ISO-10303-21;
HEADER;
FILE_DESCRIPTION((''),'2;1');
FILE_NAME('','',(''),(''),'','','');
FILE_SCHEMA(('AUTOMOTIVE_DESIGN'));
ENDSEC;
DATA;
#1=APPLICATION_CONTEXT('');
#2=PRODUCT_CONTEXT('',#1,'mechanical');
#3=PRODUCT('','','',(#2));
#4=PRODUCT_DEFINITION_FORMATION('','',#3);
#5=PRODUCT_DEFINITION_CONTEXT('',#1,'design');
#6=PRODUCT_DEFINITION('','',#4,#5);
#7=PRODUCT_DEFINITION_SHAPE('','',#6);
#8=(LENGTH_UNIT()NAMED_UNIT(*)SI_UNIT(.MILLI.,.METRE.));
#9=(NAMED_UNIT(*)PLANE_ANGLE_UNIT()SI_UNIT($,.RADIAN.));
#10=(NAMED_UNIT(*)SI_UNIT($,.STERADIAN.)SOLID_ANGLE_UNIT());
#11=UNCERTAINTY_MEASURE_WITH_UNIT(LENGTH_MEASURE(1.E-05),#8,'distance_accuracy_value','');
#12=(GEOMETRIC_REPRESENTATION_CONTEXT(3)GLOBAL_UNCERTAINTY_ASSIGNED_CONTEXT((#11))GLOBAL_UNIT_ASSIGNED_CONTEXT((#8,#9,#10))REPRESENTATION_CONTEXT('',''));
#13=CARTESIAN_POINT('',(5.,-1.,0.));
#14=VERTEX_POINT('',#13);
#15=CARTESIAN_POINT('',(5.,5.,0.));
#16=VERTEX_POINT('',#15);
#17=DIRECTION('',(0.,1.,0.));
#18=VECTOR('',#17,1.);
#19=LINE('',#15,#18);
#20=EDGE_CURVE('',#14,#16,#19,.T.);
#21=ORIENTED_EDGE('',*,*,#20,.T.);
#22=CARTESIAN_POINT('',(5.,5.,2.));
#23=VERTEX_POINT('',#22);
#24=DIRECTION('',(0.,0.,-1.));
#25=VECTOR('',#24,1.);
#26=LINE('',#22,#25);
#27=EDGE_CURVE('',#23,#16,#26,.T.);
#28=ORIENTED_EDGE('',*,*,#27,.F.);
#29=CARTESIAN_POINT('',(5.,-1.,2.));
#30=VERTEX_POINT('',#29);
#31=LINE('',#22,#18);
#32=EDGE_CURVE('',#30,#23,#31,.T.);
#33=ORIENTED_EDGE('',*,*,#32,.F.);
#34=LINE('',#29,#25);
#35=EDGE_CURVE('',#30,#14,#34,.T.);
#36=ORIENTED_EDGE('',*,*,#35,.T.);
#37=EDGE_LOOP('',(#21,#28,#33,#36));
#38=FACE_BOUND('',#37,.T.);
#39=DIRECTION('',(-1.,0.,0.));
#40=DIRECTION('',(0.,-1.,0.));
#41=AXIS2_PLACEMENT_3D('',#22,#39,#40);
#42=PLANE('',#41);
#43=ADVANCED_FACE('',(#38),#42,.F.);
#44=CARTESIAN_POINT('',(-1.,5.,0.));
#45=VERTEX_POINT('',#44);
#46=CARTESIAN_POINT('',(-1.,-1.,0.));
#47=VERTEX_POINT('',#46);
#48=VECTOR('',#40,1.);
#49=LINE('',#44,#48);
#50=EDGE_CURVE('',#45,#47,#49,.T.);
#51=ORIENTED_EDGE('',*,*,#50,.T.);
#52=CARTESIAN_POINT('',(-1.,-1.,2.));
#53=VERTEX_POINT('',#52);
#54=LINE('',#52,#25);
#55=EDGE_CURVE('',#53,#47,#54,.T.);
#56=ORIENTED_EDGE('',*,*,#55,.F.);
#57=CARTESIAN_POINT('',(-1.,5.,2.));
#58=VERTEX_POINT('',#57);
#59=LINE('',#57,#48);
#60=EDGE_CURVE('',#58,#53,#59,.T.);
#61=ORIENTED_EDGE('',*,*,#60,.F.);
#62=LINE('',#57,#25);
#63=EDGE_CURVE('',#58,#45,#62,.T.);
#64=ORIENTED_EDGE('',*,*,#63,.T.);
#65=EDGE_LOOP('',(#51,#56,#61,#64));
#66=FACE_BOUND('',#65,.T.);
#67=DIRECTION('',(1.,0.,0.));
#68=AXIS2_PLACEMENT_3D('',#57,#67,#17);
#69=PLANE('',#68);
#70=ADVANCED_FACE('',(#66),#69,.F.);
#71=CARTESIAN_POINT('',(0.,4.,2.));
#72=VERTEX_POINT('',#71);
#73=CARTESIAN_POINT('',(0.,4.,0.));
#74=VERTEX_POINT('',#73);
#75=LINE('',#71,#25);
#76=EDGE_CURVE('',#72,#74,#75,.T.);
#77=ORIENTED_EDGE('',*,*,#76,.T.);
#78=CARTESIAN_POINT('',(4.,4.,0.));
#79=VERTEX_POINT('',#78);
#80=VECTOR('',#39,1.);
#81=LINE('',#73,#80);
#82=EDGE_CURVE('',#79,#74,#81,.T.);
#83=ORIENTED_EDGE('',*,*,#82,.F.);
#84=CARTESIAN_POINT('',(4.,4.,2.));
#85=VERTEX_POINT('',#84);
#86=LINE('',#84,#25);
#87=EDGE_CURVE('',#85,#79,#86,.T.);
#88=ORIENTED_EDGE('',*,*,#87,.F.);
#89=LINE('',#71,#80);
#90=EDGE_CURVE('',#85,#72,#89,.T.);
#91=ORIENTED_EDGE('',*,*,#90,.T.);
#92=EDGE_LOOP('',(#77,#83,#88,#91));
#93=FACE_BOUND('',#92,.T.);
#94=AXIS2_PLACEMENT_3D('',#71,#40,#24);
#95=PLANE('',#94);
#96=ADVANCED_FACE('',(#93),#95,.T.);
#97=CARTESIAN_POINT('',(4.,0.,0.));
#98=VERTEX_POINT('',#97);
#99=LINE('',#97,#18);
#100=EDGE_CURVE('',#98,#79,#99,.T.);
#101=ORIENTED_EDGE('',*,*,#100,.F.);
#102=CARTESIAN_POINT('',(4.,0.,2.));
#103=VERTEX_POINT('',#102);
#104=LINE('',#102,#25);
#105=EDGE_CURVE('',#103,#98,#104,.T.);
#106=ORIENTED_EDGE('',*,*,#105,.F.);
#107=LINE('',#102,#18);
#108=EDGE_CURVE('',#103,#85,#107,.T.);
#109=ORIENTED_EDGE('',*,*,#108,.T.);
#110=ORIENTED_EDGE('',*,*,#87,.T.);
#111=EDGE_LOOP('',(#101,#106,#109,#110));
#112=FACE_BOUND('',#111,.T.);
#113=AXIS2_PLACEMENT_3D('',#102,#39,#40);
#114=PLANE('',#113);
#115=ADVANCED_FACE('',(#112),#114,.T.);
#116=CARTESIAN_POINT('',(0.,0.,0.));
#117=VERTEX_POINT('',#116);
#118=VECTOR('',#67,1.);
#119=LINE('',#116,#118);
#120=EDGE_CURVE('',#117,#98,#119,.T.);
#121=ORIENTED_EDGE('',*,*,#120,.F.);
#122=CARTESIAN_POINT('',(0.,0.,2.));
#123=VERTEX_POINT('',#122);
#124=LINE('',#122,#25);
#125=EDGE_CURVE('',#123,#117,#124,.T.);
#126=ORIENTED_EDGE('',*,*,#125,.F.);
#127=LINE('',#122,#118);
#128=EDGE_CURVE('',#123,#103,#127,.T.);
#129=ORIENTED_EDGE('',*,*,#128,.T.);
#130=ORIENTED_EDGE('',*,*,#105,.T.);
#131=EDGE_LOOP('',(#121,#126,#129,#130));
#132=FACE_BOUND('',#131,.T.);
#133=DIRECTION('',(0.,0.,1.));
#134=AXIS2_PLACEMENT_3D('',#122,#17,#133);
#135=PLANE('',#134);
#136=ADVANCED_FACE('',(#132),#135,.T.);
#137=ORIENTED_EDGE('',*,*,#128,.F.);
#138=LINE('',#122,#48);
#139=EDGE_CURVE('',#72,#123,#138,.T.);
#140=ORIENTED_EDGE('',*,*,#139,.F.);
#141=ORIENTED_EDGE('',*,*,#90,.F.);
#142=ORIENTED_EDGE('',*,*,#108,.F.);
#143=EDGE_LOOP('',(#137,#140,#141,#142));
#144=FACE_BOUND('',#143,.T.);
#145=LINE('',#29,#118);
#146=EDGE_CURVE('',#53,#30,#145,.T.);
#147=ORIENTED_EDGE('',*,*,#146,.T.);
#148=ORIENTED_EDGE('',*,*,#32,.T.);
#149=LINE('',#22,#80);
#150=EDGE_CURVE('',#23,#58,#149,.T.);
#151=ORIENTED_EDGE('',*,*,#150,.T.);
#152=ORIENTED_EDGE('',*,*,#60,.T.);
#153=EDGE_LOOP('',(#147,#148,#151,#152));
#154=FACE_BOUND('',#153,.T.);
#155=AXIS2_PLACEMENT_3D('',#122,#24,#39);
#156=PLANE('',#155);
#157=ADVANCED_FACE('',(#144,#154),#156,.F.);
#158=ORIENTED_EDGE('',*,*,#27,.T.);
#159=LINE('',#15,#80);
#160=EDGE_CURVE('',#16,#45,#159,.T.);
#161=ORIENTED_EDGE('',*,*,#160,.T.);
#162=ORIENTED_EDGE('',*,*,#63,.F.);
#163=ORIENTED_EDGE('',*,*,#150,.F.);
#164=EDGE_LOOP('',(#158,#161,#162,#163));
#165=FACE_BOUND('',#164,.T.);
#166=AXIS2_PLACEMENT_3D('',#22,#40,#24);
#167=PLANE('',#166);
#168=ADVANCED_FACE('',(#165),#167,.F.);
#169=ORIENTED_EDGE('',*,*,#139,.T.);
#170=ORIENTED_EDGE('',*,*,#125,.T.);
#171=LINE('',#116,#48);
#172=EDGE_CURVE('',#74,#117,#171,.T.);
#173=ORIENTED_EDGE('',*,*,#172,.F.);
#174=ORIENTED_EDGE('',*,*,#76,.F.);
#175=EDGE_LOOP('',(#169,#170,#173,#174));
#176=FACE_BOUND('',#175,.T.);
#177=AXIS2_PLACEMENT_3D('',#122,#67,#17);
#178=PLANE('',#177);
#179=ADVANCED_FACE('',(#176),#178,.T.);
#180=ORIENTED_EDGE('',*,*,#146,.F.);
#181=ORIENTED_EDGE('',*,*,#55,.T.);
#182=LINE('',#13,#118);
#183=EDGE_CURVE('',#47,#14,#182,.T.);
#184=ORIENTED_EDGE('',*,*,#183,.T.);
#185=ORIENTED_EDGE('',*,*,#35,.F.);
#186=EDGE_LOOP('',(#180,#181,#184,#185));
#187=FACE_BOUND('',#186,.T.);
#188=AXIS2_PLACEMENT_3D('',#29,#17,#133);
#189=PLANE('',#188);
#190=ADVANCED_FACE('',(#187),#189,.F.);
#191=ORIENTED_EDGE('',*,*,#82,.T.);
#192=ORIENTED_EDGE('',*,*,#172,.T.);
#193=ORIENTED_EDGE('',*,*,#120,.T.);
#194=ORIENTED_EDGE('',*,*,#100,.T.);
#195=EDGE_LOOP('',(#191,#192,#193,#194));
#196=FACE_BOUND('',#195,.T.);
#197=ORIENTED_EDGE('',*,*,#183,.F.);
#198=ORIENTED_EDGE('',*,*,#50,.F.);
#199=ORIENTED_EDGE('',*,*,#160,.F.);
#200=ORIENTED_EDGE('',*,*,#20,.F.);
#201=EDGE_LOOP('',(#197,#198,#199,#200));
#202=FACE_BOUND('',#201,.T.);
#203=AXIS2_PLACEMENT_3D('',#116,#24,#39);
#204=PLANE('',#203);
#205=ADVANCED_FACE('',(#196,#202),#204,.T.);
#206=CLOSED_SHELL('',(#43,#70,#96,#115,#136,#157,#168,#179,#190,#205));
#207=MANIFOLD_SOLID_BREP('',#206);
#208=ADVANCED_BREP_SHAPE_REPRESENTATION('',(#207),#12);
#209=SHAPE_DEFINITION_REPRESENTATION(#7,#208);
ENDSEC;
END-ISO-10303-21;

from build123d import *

# Parameters (mm, degrees)
SKETCH1_W           = 6
SKETCH1_H           = 6
SKETCH1_W_2         = 4
SKETCH1_H_2         = 4
BOSS_EXTRUDE1_DEPTH = 2


with BuildPart() as part:
    # Sketch1 → Boss-Extrude1 (new body)
    with BuildSketch(Plane.XY):
        with Locations((2, 2)):
            Rectangle(SKETCH1_W, SKETCH1_H)
        with Locations((2, 2)):
            Rectangle(SKETCH1_W_2, SKETCH1_H_2, mode=Mode.SUBTRACT)
    extrude(amount=BOSS_EXTRUDE1_DEPTH)


solid = part.part
